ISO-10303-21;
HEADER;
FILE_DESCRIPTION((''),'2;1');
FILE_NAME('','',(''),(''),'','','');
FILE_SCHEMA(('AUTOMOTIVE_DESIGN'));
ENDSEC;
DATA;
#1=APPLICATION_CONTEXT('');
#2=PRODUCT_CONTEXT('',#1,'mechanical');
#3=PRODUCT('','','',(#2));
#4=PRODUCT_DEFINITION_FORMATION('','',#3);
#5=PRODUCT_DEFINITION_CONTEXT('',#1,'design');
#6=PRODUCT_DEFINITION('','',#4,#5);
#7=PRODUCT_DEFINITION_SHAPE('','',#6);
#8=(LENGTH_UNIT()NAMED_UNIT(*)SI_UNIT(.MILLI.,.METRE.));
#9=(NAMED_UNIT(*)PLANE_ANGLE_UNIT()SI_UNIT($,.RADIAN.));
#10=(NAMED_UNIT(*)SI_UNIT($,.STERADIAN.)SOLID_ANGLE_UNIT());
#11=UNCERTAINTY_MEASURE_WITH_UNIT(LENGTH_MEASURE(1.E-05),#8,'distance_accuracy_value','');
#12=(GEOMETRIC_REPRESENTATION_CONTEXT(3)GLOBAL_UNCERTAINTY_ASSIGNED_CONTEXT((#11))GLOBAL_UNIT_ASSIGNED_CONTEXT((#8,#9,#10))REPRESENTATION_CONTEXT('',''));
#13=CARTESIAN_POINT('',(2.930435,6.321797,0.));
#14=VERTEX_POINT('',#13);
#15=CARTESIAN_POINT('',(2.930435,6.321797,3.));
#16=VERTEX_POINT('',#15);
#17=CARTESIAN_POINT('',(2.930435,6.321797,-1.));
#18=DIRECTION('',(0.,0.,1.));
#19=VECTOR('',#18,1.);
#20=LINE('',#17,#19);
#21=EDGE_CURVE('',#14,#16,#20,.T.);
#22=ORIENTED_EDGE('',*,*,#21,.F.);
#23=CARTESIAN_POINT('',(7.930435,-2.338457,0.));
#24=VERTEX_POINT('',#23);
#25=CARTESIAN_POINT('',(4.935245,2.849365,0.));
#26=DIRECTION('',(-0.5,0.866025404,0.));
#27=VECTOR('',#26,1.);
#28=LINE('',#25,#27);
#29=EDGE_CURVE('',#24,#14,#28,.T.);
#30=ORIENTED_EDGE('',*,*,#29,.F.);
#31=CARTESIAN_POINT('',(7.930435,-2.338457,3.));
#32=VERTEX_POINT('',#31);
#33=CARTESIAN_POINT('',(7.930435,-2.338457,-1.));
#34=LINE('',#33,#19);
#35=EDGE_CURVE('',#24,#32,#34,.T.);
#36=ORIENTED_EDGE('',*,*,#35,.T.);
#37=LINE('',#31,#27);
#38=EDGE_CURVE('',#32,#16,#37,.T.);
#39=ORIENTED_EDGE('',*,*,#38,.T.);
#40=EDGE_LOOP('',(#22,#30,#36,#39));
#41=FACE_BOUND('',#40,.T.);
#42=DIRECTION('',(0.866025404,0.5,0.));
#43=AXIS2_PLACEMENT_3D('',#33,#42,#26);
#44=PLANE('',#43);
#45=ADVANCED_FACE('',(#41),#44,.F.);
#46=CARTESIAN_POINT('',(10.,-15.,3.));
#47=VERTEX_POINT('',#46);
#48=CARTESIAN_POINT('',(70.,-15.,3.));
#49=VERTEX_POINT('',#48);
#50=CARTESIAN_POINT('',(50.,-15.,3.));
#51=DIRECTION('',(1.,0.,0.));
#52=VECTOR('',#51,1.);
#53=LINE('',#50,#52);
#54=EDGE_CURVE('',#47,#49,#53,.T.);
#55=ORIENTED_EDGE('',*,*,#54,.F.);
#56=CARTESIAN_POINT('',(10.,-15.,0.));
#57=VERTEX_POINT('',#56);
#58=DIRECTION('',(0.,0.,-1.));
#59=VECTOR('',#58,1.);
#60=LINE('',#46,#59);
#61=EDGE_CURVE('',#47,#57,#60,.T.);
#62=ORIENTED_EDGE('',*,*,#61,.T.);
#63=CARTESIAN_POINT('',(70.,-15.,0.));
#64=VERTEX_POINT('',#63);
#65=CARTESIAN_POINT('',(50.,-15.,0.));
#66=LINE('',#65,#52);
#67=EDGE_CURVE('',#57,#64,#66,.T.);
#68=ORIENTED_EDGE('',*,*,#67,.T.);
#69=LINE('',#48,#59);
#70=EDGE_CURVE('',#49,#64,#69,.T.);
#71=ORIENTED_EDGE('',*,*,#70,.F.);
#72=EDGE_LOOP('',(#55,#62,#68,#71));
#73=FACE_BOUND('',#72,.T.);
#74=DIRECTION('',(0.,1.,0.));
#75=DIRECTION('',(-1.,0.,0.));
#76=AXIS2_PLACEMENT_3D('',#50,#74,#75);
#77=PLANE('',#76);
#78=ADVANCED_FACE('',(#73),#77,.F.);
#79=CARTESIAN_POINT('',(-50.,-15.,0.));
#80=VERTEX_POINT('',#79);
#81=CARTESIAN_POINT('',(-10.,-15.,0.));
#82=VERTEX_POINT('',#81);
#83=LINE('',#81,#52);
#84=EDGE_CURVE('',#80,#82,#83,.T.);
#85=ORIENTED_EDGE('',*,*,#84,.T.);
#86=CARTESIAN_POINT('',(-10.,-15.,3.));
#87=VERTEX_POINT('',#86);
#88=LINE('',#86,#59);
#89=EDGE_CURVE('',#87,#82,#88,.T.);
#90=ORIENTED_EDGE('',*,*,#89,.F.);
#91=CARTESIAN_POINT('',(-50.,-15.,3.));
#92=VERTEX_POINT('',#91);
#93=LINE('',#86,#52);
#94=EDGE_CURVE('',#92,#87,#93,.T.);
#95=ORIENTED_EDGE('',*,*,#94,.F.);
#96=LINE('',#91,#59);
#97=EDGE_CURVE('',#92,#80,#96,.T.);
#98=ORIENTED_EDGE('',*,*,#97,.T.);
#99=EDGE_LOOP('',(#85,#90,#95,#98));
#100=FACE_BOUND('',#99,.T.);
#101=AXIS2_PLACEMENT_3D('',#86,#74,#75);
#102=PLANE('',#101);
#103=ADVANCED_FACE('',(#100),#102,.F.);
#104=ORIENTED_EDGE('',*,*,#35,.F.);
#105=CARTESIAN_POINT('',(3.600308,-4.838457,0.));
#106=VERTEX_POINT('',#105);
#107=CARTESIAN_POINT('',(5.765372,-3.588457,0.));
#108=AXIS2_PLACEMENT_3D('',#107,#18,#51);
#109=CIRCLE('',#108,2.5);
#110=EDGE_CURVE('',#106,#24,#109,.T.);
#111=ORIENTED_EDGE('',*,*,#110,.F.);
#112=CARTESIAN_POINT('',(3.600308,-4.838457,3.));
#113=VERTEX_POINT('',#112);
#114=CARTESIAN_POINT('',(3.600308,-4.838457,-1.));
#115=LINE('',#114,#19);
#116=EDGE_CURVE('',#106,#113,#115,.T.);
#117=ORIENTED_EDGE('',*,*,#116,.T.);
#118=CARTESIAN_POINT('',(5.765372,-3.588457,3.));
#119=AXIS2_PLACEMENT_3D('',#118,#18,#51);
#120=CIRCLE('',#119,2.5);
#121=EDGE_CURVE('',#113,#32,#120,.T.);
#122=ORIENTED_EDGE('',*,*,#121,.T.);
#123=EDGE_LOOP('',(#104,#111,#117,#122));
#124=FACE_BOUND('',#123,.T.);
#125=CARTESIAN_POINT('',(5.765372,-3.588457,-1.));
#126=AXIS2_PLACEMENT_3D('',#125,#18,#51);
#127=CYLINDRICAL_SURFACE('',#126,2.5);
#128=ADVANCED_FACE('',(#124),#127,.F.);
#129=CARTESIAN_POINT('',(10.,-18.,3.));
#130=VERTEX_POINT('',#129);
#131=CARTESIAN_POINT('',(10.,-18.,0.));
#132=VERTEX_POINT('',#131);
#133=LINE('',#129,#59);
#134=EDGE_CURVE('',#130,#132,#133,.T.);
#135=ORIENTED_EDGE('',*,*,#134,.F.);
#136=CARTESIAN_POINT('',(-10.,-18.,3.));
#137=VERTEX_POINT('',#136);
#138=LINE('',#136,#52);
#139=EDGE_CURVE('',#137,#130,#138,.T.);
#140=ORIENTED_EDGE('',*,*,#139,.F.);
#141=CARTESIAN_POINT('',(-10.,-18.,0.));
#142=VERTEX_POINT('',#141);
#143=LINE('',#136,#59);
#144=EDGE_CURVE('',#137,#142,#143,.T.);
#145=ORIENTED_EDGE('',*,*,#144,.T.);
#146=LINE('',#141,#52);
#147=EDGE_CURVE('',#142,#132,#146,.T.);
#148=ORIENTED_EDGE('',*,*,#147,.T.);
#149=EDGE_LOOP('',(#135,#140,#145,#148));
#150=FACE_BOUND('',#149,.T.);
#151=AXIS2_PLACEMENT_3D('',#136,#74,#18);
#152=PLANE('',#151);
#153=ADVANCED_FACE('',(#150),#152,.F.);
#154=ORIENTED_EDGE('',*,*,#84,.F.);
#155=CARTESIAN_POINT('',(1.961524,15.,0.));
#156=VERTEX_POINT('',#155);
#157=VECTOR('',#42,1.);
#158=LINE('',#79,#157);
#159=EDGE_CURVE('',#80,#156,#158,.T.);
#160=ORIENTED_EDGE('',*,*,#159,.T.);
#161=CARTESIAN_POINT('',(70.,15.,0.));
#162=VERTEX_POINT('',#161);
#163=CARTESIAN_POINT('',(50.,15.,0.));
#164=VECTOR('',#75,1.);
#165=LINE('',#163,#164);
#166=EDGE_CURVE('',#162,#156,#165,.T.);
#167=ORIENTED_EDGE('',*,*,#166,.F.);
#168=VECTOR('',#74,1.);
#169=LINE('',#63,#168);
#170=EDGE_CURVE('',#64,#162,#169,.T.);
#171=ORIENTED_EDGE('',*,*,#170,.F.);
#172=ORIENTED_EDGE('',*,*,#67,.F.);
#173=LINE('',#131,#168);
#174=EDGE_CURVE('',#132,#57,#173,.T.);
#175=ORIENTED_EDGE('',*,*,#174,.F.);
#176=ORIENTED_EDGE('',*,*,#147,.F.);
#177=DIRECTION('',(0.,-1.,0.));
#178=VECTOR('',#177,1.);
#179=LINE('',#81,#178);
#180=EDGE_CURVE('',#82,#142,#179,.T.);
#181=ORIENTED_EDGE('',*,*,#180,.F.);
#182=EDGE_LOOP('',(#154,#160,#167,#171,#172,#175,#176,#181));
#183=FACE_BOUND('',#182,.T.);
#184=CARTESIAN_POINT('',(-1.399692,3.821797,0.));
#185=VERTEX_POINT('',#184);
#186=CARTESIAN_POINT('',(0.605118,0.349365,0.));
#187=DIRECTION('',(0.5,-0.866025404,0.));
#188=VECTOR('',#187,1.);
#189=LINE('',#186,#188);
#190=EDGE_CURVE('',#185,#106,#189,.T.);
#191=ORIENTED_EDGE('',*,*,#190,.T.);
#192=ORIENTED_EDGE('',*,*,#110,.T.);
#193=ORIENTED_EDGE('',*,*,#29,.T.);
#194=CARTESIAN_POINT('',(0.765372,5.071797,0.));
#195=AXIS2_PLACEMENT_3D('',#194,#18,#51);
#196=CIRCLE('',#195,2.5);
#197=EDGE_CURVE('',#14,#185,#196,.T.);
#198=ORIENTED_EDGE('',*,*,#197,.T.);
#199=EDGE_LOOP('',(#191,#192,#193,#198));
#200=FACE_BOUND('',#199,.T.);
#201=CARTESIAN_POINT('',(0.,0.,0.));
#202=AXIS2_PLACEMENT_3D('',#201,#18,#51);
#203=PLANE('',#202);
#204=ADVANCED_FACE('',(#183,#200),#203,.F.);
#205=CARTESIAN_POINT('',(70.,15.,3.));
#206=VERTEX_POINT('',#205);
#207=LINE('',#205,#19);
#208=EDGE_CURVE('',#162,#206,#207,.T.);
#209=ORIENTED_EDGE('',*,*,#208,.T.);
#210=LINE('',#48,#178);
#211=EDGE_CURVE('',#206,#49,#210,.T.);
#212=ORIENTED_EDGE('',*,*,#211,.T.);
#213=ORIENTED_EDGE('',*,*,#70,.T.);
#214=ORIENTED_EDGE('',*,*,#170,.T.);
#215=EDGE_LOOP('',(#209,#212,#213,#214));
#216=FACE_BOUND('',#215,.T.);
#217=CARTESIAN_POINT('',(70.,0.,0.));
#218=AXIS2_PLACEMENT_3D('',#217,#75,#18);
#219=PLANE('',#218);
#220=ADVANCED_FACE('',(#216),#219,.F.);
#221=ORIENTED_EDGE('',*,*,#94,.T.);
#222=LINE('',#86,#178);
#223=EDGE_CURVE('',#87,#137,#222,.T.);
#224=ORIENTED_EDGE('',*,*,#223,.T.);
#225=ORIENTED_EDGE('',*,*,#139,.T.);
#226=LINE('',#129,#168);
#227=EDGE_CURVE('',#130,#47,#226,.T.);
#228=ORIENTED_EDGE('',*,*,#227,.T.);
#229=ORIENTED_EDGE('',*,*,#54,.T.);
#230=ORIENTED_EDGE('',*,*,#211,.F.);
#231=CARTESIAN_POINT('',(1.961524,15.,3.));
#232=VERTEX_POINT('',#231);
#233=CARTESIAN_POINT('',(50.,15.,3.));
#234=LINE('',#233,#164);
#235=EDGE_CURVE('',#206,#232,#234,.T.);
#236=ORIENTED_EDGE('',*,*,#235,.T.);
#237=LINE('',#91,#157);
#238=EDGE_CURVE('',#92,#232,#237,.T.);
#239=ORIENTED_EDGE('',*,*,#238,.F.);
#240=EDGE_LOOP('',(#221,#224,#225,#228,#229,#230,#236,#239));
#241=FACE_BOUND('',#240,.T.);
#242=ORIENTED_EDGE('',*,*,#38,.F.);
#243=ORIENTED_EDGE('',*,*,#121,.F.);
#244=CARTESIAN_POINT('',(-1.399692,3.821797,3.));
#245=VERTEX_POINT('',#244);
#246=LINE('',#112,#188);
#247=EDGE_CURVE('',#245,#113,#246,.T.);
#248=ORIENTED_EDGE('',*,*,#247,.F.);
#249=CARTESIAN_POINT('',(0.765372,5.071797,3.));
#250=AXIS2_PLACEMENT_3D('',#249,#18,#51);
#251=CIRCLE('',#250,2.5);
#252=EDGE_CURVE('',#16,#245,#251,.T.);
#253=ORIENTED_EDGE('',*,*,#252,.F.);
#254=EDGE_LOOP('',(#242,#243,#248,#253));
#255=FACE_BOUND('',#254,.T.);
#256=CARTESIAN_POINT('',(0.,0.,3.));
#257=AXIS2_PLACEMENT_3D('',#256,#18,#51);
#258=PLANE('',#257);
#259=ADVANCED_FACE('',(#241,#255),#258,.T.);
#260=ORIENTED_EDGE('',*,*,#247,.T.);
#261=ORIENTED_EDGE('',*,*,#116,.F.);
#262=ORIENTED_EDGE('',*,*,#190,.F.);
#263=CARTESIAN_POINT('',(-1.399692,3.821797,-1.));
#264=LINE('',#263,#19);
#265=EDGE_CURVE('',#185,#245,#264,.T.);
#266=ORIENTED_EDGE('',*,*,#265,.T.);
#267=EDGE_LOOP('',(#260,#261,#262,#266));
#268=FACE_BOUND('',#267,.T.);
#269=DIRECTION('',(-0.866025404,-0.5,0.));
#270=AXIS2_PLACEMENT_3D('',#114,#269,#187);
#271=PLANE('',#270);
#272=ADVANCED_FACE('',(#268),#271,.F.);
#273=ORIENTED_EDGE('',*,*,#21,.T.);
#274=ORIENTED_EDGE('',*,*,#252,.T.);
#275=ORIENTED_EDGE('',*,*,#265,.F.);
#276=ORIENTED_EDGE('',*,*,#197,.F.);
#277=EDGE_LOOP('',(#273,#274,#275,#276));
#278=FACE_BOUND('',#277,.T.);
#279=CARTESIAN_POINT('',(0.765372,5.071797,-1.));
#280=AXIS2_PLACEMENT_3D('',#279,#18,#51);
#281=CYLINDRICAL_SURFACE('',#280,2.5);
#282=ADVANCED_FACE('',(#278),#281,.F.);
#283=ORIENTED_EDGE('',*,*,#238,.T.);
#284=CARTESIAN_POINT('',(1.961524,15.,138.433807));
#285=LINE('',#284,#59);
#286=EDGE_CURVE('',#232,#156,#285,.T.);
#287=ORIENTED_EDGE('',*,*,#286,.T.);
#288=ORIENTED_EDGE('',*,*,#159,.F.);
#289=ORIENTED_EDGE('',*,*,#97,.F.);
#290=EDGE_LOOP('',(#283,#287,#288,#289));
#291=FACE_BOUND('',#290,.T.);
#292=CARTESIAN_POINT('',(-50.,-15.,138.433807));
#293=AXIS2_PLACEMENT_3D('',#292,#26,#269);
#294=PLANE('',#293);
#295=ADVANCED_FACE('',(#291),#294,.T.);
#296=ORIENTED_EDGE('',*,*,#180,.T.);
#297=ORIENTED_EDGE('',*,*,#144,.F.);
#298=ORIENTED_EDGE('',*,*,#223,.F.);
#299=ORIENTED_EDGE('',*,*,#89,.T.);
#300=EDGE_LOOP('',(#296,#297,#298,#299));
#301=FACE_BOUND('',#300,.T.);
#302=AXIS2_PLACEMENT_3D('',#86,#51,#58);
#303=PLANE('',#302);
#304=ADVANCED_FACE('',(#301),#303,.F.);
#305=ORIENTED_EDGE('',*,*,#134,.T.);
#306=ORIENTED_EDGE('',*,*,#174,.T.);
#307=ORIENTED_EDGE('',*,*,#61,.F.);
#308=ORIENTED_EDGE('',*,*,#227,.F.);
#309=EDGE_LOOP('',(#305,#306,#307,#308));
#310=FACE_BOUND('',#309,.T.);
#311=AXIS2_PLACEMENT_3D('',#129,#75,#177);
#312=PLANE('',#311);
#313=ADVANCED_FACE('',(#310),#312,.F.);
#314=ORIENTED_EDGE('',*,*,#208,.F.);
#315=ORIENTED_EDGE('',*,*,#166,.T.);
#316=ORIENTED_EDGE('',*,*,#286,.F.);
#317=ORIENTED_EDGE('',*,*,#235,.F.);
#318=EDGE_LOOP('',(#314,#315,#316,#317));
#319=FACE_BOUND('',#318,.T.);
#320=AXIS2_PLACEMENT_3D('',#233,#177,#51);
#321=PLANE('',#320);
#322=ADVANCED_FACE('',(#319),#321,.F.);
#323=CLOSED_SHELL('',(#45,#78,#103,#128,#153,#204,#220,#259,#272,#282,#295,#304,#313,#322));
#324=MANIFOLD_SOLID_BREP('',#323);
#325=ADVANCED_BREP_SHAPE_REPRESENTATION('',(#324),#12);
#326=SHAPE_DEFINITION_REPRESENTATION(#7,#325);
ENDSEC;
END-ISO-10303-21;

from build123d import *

# Parameters (mm, degrees)
BOSS_EXTRUDE1_DEPTH     = 3
CUT_EXTRUDE3_DEPTH      = 1
CUT_EXTRUDE3_DEPTH_BACK = 3
CUT_EXTRUDE4_DEPTH      = 4
SKETCH6_W               = 3
SKETCH6_H               = 30
BOSS_EXTRUDE2_DEPTH     = 20


with BuildPart() as part:
    # Sketch1 → Boss-Extrude1 (new body)
    with BuildSketch(Plane.XY):
        Polygon((-10, -15), (-10, -18), (10, -18), (10, -15), (50, -15), (50, 15), (-50, 15), (-50, -15), align=None)
    extrude(amount=BOSS_EXTRUDE1_DEPTH)

    # Sketch4 → Cut-Extrude3 (cut, two sides)
    with BuildSketch(Plane.XY.offset(3)) as cut_extrude3_sk:
        Polygon((-50, -14.220304878), (-50, -15), (1.961524227, 15), (-50, 15), align=None)
    extrude(amount=CUT_EXTRUDE3_DEPTH, mode=Mode.SUBTRACT)
    extrude(cut_extrude3_sk.sketch, amount=-CUT_EXTRUDE3_DEPTH_BACK, mode=Mode.SUBTRACT)

    # Sketch5 → Cut-Extrude4 (cut)
    with BuildSketch(Plane.XY.offset(3)):
        with BuildLine():
            Line((7.930435314, -2.338457268), (2.930435314, 6.32179677))
            ThreePointArc((2.930435314, 6.32179677), (-0.484628196, 7.236860279), (-1.399691705, 3.82179677))
            Line((-1.399691705, 3.82179677), (3.600308295, -4.838457268))
            ThreePointArc((3.600308295, -4.838457268), (7.015371804, -5.753520778), (7.930435314, -2.338457268))
        make_face()
    extrude(amount=-CUT_EXTRUDE4_DEPTH, mode=Mode.SUBTRACT)

    # Sketch6 → Boss-Extrude2 (add)
    with BuildSketch(Plane(origin=(50, 0, 0), x_dir=(0, 0, -1), z_dir=(1, 0, 0))):
        with Locations((-1.5, 0)):
            Rectangle(SKETCH6_W, SKETCH6_H)
    extrude(amount=BOSS_EXTRUDE2_DEPTH)


solid = part.part
